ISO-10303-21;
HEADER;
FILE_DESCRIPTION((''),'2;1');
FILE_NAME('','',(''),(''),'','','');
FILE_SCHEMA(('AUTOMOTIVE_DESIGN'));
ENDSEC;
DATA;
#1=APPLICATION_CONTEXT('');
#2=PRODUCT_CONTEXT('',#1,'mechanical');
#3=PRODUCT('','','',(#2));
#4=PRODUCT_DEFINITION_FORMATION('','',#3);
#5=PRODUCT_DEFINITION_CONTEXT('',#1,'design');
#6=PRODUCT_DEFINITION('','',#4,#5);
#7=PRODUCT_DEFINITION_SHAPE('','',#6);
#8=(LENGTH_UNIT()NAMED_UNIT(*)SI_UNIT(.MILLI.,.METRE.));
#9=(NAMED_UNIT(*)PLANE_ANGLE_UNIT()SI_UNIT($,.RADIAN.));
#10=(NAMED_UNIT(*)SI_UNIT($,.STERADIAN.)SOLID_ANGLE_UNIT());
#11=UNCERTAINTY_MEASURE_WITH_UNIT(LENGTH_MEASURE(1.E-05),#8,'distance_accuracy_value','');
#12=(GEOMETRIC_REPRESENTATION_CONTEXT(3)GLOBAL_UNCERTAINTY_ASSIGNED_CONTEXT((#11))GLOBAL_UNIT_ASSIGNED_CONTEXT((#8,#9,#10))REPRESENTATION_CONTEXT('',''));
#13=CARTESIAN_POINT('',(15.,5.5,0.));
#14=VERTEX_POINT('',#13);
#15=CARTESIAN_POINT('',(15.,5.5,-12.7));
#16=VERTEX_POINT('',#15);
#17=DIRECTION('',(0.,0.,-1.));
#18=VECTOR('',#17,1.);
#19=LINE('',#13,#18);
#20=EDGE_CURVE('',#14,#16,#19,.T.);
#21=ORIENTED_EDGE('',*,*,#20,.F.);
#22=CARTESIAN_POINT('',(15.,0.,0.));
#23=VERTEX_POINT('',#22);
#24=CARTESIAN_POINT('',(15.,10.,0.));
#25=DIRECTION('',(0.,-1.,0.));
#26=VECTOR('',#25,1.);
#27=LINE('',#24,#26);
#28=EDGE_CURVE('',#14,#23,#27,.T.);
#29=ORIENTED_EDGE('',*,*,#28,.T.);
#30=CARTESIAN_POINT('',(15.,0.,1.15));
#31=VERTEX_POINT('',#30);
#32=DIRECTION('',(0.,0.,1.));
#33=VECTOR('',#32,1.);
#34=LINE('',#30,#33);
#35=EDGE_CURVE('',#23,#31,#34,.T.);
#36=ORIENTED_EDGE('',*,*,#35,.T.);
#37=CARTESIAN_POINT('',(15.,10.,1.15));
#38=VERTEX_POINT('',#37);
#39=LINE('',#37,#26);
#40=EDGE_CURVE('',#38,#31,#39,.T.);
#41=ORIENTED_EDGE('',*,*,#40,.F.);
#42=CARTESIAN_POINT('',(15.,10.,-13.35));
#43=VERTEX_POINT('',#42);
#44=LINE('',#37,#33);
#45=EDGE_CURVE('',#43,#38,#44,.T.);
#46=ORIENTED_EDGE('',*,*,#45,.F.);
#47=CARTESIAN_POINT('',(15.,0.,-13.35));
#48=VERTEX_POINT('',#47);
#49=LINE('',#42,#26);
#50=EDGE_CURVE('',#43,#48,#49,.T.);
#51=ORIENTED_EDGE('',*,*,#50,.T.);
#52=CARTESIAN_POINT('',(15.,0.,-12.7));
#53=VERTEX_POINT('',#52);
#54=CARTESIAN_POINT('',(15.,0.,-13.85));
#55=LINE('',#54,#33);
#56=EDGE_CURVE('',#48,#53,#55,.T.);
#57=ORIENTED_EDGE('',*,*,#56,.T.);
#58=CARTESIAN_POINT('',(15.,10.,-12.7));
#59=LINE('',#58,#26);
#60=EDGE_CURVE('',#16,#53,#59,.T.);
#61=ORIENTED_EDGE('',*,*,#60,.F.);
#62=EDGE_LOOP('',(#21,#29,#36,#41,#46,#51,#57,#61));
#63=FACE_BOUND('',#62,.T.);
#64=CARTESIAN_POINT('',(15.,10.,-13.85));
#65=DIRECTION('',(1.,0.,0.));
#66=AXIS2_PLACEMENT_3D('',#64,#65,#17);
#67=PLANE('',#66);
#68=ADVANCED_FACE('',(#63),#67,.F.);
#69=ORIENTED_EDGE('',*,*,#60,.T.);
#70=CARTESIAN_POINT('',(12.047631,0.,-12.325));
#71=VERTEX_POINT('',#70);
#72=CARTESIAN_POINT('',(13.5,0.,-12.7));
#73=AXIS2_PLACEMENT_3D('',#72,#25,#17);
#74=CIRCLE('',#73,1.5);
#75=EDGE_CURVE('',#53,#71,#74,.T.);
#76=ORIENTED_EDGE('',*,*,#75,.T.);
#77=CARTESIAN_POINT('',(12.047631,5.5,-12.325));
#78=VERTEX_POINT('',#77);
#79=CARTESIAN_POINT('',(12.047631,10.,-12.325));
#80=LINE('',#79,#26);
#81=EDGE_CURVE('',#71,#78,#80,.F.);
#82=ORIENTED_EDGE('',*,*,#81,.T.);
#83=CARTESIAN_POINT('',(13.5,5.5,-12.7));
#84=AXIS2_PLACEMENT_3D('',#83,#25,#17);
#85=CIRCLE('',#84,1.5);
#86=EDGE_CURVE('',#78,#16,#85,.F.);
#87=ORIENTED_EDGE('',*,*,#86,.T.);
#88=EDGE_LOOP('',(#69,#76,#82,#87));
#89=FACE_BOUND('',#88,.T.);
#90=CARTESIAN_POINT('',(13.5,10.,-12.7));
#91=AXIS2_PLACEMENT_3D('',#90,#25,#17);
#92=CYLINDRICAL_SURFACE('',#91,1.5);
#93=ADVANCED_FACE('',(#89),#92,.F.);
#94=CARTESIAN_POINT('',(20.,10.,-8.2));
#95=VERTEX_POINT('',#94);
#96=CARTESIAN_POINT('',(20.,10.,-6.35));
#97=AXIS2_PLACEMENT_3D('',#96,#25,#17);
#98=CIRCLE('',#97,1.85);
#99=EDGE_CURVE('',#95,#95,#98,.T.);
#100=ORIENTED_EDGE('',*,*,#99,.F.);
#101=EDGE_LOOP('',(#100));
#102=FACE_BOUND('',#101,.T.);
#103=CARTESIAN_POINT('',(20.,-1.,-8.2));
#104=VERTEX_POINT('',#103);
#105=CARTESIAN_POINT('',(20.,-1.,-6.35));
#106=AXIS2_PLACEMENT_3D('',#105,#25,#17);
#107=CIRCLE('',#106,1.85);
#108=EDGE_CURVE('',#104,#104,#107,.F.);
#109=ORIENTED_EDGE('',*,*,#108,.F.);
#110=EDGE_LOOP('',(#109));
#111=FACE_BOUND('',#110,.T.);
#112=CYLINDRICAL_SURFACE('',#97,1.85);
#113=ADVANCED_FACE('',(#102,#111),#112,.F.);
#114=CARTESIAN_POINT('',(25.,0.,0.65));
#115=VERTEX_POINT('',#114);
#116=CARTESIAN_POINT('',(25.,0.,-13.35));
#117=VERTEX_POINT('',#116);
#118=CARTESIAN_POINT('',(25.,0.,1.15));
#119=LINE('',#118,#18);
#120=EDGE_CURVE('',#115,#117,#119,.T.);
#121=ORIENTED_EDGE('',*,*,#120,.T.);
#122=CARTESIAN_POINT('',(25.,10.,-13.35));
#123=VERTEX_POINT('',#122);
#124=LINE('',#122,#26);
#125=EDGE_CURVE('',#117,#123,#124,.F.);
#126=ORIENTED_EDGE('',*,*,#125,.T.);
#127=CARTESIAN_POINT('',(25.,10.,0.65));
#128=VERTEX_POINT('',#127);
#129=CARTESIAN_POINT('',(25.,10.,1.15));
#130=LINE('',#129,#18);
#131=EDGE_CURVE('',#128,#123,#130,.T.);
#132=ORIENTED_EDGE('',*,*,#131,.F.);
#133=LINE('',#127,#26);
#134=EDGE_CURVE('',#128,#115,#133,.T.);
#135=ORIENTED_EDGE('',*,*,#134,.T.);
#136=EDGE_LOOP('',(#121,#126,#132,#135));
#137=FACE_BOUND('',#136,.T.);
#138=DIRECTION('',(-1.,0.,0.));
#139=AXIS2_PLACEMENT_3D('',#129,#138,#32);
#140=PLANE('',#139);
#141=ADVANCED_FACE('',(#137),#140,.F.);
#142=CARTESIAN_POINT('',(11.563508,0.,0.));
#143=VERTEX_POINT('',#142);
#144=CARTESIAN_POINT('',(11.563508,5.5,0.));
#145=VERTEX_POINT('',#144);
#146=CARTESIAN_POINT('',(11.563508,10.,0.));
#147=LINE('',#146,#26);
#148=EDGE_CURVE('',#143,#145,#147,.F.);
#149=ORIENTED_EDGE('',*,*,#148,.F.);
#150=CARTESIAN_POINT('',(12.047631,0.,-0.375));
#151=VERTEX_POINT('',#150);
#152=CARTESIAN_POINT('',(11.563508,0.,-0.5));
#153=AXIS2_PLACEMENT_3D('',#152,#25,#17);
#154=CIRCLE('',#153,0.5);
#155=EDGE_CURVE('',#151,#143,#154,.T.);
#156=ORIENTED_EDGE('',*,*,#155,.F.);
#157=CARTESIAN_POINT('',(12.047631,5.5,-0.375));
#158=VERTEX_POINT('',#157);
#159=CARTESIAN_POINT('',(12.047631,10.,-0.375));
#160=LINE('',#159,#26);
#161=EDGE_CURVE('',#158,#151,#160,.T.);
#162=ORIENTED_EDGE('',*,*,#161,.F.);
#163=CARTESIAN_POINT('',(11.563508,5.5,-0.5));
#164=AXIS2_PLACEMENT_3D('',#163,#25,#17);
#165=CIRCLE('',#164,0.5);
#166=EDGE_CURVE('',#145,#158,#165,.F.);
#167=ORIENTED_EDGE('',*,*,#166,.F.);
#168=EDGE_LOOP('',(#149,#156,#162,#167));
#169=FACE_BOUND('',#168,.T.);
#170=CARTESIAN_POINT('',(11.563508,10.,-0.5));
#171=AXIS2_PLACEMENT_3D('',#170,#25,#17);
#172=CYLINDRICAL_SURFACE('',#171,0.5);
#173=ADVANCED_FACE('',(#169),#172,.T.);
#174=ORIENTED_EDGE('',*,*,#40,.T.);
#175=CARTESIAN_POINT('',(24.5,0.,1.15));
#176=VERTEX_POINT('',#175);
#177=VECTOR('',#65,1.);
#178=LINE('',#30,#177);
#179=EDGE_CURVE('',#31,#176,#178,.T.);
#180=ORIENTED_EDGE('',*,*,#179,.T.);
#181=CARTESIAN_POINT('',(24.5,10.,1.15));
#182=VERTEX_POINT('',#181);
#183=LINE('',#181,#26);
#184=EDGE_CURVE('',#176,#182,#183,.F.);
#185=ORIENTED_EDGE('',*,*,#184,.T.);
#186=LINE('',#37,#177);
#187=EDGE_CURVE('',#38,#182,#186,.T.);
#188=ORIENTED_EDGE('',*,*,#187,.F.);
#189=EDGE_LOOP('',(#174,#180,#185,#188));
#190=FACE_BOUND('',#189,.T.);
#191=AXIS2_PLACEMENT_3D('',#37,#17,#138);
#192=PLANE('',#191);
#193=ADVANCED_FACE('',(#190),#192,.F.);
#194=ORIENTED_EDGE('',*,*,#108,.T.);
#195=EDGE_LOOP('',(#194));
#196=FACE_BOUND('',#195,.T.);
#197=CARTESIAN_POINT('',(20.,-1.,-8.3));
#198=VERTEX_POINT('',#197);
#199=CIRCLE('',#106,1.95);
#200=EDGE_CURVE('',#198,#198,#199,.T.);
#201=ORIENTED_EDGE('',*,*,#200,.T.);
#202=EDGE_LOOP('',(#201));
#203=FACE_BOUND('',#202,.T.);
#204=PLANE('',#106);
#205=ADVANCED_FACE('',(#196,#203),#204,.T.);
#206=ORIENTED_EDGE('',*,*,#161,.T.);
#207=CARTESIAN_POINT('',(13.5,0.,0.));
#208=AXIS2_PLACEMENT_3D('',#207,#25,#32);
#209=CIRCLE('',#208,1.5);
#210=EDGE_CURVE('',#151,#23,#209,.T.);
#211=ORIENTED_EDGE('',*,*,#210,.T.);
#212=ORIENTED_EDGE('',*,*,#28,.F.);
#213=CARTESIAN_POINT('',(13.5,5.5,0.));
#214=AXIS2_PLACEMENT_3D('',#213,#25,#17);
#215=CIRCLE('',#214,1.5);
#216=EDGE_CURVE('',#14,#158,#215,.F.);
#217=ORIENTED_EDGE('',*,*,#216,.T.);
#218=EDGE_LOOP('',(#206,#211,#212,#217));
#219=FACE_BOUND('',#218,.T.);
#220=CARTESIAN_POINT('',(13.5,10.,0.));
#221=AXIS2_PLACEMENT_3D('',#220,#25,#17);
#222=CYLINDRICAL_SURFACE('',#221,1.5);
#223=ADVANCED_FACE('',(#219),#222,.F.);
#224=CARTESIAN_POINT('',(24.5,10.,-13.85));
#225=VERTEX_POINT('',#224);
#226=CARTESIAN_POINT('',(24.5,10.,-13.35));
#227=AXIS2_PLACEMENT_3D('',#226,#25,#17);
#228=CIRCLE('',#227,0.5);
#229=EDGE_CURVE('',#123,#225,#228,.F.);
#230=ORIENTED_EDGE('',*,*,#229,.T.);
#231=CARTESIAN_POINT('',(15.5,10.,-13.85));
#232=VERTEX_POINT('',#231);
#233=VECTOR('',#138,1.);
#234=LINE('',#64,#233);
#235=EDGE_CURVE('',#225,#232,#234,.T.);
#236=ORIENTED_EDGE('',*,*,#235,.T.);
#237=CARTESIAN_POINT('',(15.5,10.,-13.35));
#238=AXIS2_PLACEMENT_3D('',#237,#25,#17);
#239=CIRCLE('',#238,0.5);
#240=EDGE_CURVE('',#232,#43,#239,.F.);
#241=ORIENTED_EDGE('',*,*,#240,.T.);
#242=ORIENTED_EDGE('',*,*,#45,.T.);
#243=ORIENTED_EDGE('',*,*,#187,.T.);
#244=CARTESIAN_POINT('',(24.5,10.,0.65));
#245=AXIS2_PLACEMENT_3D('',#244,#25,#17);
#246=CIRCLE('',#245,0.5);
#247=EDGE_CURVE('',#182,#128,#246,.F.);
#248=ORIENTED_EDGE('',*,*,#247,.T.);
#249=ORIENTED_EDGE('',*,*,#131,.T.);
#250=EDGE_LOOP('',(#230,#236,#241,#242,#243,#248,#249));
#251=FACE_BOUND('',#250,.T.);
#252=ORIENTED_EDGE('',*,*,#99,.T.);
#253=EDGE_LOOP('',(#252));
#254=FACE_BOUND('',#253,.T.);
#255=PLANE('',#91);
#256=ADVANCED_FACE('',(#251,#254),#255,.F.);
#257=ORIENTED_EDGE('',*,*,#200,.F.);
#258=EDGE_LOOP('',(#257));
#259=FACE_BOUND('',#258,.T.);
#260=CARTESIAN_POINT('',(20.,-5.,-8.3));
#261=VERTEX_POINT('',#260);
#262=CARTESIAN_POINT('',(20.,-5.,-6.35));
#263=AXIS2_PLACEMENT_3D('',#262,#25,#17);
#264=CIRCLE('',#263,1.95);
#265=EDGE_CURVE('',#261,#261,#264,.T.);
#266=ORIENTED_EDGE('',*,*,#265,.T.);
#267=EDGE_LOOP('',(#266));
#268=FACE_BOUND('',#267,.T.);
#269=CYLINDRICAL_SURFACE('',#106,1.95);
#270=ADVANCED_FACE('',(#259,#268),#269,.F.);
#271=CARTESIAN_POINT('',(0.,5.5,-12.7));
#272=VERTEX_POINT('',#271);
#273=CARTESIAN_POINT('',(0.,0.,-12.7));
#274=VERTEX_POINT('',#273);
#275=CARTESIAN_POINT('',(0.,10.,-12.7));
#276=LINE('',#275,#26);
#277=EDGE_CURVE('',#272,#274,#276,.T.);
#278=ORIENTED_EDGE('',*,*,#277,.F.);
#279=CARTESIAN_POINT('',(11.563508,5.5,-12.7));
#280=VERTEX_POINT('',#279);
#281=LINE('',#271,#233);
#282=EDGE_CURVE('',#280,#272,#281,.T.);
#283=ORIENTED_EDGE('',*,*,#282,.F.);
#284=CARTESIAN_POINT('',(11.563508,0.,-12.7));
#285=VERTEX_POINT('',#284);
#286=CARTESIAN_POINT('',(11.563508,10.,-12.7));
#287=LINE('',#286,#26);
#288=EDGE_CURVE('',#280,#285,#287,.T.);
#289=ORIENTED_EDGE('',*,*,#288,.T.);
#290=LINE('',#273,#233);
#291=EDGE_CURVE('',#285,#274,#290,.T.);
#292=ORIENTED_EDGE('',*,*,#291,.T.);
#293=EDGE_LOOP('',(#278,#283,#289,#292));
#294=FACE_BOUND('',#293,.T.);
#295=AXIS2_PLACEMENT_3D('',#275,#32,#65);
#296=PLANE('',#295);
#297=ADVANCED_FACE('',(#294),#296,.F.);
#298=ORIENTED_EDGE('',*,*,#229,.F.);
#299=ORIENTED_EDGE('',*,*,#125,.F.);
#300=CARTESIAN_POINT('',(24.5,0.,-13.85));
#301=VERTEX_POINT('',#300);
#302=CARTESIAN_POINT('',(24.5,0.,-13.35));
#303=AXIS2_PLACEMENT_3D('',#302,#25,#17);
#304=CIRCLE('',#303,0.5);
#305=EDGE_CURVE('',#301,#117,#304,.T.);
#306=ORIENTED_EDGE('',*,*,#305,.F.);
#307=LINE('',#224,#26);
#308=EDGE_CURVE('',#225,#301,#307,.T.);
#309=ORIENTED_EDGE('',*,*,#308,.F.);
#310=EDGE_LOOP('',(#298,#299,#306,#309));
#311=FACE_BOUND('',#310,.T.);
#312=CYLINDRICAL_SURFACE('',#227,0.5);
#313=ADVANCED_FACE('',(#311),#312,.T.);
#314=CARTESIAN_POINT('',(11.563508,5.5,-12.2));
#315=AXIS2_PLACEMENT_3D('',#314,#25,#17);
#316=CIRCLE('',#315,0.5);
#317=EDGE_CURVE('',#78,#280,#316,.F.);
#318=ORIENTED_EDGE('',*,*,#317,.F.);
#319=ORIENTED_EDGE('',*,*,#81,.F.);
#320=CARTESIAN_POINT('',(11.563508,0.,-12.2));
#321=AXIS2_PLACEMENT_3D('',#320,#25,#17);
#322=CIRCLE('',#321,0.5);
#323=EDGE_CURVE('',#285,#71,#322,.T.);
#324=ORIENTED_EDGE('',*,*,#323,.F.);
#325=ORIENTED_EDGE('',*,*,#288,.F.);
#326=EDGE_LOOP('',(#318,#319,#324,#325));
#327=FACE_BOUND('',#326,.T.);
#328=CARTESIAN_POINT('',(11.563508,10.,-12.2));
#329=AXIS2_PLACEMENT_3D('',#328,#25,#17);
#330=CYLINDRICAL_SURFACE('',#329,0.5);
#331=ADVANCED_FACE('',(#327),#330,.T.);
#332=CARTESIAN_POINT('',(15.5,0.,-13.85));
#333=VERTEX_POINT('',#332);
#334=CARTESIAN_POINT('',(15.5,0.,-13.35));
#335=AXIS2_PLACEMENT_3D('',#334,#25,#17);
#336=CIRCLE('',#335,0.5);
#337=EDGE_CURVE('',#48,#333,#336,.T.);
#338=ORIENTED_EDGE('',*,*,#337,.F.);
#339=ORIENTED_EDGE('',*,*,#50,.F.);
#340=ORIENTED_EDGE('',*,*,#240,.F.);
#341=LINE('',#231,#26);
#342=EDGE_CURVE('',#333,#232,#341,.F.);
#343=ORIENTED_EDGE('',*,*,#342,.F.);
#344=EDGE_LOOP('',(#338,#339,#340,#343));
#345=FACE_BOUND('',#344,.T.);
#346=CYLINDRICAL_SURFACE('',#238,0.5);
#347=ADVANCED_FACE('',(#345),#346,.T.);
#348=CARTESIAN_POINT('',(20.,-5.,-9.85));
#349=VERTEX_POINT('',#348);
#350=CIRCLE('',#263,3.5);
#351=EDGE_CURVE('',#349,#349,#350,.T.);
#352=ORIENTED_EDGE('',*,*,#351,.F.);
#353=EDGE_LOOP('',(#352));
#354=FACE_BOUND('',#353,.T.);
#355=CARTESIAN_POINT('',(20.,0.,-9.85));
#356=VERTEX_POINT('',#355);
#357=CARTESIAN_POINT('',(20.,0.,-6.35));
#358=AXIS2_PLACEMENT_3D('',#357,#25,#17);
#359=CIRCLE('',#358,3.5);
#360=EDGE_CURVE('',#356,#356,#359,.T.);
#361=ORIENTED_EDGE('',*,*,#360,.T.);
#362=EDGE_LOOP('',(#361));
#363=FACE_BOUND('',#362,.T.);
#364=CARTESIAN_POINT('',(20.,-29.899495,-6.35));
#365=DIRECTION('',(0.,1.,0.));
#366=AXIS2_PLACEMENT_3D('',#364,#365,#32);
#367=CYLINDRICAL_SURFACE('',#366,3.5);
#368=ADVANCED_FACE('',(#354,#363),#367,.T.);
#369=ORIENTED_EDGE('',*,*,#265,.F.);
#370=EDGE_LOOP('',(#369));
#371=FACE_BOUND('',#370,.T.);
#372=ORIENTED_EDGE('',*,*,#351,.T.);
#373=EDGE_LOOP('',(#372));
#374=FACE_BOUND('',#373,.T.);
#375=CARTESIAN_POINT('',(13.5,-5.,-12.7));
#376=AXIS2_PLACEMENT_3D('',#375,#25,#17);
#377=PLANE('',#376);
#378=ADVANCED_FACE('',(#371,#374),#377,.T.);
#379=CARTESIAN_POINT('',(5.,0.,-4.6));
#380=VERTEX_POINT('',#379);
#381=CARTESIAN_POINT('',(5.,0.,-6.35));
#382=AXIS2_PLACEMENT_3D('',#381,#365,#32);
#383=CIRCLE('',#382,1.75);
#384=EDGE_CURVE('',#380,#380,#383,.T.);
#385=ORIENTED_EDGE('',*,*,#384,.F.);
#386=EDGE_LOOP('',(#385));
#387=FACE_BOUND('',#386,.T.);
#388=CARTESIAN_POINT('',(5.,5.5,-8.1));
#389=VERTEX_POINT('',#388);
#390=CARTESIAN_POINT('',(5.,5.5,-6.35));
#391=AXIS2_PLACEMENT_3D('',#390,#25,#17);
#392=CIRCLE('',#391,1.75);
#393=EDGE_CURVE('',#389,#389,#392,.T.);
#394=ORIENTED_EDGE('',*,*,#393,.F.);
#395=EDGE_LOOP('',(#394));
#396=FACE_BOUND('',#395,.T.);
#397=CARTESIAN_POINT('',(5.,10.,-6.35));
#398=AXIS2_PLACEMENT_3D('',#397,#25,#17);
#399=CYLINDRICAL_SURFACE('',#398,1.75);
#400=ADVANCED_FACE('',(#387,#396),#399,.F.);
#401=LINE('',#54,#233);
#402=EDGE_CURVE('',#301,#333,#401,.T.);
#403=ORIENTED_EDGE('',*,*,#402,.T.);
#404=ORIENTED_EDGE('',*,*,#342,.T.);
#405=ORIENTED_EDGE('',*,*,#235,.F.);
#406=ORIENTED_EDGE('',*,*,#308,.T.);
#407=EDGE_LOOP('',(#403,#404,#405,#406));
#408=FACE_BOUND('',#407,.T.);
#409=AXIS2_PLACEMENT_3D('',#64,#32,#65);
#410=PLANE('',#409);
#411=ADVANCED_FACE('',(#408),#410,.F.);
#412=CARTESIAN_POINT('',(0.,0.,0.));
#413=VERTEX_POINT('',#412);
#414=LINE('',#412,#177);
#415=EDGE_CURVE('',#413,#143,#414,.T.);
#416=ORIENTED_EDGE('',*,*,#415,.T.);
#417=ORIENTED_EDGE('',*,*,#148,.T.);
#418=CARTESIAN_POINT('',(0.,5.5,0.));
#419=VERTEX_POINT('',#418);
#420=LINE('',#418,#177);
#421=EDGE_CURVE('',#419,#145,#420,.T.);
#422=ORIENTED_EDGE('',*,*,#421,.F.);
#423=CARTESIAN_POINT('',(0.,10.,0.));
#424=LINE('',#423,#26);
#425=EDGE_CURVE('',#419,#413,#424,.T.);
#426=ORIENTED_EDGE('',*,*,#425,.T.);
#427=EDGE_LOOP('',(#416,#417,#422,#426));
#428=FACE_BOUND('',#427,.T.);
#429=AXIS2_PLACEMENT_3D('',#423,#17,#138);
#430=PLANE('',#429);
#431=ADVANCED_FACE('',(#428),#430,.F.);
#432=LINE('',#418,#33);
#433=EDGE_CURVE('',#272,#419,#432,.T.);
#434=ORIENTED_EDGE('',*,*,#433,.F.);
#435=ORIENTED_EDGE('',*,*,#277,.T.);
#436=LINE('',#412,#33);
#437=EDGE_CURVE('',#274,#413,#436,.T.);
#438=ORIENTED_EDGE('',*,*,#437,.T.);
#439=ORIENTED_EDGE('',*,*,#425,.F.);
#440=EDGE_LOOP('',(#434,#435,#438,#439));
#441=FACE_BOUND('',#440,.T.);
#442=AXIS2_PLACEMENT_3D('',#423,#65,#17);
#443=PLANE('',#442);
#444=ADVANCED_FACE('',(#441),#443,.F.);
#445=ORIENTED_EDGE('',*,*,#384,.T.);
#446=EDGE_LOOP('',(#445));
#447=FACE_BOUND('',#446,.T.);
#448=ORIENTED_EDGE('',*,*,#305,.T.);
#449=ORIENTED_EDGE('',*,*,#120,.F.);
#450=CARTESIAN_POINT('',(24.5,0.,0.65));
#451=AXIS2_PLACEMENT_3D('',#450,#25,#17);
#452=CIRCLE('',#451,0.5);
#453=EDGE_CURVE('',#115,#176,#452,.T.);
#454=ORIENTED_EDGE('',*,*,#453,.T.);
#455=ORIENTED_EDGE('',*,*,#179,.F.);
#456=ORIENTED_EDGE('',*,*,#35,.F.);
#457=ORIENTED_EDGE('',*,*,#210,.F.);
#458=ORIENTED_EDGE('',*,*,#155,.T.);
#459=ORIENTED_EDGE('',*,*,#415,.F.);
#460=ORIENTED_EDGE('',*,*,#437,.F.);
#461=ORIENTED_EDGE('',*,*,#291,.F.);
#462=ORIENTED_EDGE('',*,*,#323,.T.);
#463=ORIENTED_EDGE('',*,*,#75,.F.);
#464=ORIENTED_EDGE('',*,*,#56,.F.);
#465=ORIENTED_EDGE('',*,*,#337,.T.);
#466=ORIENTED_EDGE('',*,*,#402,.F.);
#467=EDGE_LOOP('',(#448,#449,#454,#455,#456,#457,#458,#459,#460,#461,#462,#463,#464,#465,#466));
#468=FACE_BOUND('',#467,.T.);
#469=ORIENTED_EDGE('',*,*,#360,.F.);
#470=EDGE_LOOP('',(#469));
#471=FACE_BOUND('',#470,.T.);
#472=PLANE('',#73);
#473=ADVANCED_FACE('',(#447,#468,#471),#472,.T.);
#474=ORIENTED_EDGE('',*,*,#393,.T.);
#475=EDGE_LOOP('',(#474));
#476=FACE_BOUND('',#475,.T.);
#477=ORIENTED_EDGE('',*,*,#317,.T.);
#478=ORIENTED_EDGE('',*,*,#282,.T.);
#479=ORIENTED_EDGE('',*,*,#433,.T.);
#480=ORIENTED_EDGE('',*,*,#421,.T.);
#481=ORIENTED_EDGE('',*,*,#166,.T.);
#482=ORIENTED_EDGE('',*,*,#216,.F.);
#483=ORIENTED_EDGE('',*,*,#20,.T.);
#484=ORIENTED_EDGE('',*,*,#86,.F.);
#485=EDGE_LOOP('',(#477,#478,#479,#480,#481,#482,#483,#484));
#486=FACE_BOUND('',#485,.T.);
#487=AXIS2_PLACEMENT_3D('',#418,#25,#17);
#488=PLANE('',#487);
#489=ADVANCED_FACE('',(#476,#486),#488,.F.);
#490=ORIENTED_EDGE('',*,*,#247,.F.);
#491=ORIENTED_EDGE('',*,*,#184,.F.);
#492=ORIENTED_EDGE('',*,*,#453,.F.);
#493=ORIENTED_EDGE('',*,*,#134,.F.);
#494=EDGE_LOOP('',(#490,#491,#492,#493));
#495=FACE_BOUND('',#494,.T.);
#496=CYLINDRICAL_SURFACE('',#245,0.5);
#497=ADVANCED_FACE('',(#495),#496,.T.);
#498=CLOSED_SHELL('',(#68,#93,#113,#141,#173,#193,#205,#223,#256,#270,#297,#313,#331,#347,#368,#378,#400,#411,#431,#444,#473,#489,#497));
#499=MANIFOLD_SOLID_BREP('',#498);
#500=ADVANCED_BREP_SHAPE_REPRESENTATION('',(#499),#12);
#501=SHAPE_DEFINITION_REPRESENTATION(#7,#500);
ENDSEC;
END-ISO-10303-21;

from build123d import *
from build123d.topology import SkipClean

# Parameters (mm, degrees)
SKETCH1_R           = 1.75
BOSS_EXTRUDE1_DEPTH = 10
SKETCH2_W           = 15
SKETCH2_H           = 12.7
CUT_EXTRUDE1_DEPTH  = 4.5
FILLET1_R           = 0.5
BOSS_EXTRUDE2_START = 5
SKETCH3_R           = 3.5
SKETCH3_R_2         = 1.75
BOSS_EXTRUDE2_DEPTH = 5
SKETCH4_R           = 1.85
CUT_EXTRUDE2_DEPTH  = 33.277275288
SKETCH5_R           = 1.95
CUT_EXTRUDE3_DEPTH  = 4


with BuildPart() as part:
    # Sketch1 → Boss-Extrude1 (new body)
    with BuildSketch(Plane(origin=(0, 0, 0), x_dir=(1, 0, 0), z_dir=(0, 1, 0))):
        with BuildLine():
            Line((0, 0), (12, 0))
            ThreePointArc((12, 0), (13.5, 1.5), (15, 0))
            Line((15, 0), (15, -1.15))
            Line((15, -1.15), (25, -1.15))
            Line((25, -1.15), (25, 13.85))
            Line((25, 13.85), (15, 13.85))
            Line((15, 13.85), (15, 12.7))
            ThreePointArc((15, 12.7), (13.5, 11.2), (12, 12.7))
            Line((12, 12.7), (0, 12.7))
            Line((0, 12.7), (0, 0))
        make_face()
        with Locations(Location((5, 6.35, 0), (0, 0, 270))):
            Circle(SKETCH1_R, mode=Mode.SUBTRACT)
        with Locations(Location((20, 6.35, 0), (0, 0, 270))):
            Circle(SKETCH1_R, mode=Mode.SUBTRACT)
    extrude(amount=BOSS_EXTRUDE1_DEPTH)

    # Sketch2 → Cut-Extrude1 (cut)
    with BuildSketch(Plane(origin=(0, 10, 0), x_dir=(1, 0, 0), z_dir=(0, 1, 0))):
        with Locations((7.5, 6.35)):
            Rectangle(SKETCH2_W, SKETCH2_H)
    extrude(amount=-CUT_EXTRUDE1_DEPTH, mode=Mode.SUBTRACT)

    # Fillet1
    fillet1_edges = [part.edges().sort_by_distance(p)[0] for p in [
        (15, 5, -13.85),
        (25, 5, -13.85),
        (25, 5, 1.15),
        (12, 2.75, -12.7),
        (12, 2.75, 0),
    ]]
    fillet(fillet1_edges, radius=FILLET1_R)

    # Sketch3 → Boss-Extrude2 (add)
    with SkipClean():  # the faces are left unmerged after this step: merging them gives an invalid solid
        with BuildSketch(Plane.XZ.offset(BOSS_EXTRUDE2_START)):
            with Locations(Location((20, -6.35, 0), (0, 0, 270))):
                Circle(SKETCH3_R)
            with Locations(Location((20, -6.35, 0), (0, 0, 270))):
                Circle(SKETCH3_R_2, mode=Mode.SUBTRACT)
        extrude(amount=-BOSS_EXTRUDE2_DEPTH)

    # Sketch4 → Cut-Extrude2 (cut, through all)
    with BuildSketch(Plane.XZ.offset(5)):
        with Locations(Location((20, -6.35, 0), (0, 0, 270))):
            Circle(SKETCH4_R)
    extrude(amount=-CUT_EXTRUDE2_DEPTH, mode=Mode.SUBTRACT)

    # Sketch5 → Cut-Extrude3 (cut)
    with BuildSketch(Plane.XZ.offset(5)):
        with Locations(Location((20, -6.35, 0), (0, 0, 270))):
            Circle(SKETCH5_R)
    extrude(amount=-CUT_EXTRUDE3_DEPTH, mode=Mode.SUBTRACT)


solid = part.part
